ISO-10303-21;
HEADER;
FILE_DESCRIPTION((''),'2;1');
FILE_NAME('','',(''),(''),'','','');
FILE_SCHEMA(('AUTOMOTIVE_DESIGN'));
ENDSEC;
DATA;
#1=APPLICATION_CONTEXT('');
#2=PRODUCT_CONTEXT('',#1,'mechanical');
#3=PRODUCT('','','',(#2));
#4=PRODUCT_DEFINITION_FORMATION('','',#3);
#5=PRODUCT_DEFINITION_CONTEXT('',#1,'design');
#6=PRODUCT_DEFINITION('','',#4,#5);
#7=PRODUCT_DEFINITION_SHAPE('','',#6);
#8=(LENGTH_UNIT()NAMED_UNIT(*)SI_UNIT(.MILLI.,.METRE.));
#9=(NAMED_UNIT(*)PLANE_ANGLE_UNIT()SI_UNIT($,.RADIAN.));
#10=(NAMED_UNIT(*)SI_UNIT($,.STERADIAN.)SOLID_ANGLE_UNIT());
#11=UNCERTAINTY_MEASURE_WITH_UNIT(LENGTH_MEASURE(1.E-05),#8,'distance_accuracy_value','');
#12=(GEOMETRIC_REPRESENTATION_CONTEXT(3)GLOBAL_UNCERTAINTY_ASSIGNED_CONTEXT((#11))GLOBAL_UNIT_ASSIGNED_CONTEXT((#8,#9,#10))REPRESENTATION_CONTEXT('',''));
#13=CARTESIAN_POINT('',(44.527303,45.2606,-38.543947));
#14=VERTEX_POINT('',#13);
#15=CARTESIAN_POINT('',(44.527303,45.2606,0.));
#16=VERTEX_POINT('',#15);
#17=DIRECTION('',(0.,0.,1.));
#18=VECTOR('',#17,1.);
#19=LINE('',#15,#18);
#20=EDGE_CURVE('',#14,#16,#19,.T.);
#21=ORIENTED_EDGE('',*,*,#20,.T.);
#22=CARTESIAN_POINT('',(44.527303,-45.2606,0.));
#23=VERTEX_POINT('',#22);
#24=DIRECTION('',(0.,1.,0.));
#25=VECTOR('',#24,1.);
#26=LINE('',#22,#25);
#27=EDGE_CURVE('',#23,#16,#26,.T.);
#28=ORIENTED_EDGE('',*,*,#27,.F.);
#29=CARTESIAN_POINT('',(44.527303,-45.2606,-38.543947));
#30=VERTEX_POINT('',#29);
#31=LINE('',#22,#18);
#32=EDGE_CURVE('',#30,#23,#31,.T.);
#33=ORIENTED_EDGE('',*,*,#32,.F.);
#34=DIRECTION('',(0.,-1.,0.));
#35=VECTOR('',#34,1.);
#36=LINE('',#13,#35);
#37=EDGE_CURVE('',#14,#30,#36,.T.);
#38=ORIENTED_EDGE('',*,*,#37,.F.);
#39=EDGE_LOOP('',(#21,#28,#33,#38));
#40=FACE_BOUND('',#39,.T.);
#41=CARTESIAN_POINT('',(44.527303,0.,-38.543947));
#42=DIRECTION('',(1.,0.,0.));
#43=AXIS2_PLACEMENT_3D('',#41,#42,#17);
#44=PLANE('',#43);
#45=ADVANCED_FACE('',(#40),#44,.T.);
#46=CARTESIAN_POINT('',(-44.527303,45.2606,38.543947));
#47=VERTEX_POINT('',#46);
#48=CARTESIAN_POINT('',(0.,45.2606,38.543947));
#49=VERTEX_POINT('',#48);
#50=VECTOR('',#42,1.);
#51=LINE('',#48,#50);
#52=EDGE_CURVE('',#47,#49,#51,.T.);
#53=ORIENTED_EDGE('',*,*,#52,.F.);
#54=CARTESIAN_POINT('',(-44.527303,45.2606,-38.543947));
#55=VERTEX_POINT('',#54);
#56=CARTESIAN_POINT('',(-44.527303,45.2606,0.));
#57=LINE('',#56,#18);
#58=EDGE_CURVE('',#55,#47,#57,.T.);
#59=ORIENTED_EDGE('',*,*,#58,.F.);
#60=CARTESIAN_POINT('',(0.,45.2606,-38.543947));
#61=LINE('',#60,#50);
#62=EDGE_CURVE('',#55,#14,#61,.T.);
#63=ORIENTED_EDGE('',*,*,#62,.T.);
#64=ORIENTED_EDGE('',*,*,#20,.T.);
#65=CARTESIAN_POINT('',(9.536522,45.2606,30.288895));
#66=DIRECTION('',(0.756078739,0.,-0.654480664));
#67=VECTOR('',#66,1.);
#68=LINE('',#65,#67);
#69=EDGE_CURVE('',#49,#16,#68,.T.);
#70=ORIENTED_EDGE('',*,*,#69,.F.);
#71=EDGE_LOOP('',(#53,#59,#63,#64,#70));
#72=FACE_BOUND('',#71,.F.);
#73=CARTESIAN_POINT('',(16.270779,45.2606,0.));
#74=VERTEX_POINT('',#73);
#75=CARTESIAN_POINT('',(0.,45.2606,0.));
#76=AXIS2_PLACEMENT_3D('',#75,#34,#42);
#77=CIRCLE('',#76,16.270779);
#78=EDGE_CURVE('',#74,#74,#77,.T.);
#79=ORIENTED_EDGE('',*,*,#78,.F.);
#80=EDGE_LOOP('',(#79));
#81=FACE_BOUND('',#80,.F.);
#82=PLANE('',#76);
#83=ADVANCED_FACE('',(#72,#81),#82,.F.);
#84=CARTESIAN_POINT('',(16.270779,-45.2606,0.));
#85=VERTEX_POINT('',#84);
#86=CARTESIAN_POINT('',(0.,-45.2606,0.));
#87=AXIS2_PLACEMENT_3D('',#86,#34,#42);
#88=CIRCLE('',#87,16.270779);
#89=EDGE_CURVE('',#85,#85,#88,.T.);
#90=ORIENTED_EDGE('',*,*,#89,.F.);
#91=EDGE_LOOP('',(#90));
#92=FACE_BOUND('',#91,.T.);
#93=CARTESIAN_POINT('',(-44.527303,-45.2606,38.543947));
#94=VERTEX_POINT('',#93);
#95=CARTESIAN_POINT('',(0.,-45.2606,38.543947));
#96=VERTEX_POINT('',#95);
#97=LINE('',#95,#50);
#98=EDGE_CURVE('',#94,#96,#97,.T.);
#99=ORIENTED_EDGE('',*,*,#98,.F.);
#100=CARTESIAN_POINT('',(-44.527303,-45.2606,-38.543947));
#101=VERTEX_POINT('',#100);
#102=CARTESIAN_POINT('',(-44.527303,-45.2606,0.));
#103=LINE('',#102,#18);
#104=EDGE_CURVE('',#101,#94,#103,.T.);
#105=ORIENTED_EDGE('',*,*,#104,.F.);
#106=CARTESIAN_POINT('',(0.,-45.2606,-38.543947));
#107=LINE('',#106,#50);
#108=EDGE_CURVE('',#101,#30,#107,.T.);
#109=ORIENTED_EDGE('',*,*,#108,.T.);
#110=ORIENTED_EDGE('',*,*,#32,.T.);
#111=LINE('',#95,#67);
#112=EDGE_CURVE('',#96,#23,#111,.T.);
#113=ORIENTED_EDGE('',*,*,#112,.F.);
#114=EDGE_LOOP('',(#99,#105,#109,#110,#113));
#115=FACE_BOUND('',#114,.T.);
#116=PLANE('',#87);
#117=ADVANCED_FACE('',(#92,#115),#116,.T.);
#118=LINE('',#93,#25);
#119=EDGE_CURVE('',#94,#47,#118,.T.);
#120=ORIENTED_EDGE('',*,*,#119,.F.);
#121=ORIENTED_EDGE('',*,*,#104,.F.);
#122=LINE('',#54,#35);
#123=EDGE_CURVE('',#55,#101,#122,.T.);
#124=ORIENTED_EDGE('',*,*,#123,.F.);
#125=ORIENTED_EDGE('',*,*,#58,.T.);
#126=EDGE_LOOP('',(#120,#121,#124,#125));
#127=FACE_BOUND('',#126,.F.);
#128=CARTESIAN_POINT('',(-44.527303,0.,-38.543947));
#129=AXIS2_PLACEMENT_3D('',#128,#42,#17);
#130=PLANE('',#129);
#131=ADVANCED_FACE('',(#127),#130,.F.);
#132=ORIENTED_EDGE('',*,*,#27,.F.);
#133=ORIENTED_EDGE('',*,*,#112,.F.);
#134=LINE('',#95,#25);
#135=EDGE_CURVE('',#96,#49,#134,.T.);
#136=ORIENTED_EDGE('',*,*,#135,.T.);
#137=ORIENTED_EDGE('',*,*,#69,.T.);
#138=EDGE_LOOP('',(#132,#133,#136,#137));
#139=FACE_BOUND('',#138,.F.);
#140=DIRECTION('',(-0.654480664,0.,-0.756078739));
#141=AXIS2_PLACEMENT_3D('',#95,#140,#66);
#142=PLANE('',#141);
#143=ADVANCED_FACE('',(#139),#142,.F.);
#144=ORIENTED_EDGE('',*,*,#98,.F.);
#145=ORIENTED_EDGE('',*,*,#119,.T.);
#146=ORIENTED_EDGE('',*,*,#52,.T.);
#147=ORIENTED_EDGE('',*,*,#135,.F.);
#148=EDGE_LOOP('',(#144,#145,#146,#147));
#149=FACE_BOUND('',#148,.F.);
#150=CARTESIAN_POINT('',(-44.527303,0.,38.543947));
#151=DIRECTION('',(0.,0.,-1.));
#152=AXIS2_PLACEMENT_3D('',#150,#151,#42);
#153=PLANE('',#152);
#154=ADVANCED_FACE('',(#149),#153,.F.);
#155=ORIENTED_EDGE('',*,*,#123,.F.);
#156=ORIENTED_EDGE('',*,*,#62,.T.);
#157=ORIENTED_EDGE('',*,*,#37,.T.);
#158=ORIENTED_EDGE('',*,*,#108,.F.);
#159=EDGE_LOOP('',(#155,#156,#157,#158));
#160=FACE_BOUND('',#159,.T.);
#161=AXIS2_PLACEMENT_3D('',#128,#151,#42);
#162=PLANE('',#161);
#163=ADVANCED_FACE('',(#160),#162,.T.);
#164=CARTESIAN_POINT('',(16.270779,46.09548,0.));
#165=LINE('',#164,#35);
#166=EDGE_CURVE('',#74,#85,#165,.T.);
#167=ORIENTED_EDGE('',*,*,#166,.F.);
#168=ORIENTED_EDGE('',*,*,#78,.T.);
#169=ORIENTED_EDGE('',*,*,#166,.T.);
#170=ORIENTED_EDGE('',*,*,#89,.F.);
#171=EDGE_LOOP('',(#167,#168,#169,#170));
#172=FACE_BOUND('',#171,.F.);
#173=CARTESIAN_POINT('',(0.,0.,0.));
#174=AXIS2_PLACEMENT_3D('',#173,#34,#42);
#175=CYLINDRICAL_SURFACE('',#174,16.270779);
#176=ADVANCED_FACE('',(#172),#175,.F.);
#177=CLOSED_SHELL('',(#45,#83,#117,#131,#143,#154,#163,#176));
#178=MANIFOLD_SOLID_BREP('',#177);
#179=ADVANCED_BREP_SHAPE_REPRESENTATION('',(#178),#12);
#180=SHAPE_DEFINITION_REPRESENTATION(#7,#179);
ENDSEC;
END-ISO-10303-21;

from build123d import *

# Parameters (mm, degrees)
F0_W     = 89.054606
F0_H     = 77.087894
F1_DEPTH = 45.2606
F3_DEPTH = 90.5222
F4_R     = 16.270779
F5_DEPTH = 46.09548


with BuildPart() as f1:
    # F0 (on Front) → F1 (new body, symmetric)
    with BuildSketch(Plane.XZ):
        Rectangle(F0_W, F0_H)
    extrude(amount=F1_DEPTH, both=True)

    # F2 (on face) → F3 (cut, through all)
    with BuildSketch(Plane.XZ.offset(45.2606)):
        Polygon((44.527303, 38.543947), (0, 38.543947), (44.527303, 0), align=None)
    extrude(amount=-F3_DEPTH, mode=Mode.SUBTRACT)

    # F4 (on Front) → F5 (cut, symmetric)
    with BuildSketch(Plane.XZ):
        Circle(F4_R)
    extrude(amount=F5_DEPTH, both=True, mode=Mode.SUBTRACT)


solid = f1.part
